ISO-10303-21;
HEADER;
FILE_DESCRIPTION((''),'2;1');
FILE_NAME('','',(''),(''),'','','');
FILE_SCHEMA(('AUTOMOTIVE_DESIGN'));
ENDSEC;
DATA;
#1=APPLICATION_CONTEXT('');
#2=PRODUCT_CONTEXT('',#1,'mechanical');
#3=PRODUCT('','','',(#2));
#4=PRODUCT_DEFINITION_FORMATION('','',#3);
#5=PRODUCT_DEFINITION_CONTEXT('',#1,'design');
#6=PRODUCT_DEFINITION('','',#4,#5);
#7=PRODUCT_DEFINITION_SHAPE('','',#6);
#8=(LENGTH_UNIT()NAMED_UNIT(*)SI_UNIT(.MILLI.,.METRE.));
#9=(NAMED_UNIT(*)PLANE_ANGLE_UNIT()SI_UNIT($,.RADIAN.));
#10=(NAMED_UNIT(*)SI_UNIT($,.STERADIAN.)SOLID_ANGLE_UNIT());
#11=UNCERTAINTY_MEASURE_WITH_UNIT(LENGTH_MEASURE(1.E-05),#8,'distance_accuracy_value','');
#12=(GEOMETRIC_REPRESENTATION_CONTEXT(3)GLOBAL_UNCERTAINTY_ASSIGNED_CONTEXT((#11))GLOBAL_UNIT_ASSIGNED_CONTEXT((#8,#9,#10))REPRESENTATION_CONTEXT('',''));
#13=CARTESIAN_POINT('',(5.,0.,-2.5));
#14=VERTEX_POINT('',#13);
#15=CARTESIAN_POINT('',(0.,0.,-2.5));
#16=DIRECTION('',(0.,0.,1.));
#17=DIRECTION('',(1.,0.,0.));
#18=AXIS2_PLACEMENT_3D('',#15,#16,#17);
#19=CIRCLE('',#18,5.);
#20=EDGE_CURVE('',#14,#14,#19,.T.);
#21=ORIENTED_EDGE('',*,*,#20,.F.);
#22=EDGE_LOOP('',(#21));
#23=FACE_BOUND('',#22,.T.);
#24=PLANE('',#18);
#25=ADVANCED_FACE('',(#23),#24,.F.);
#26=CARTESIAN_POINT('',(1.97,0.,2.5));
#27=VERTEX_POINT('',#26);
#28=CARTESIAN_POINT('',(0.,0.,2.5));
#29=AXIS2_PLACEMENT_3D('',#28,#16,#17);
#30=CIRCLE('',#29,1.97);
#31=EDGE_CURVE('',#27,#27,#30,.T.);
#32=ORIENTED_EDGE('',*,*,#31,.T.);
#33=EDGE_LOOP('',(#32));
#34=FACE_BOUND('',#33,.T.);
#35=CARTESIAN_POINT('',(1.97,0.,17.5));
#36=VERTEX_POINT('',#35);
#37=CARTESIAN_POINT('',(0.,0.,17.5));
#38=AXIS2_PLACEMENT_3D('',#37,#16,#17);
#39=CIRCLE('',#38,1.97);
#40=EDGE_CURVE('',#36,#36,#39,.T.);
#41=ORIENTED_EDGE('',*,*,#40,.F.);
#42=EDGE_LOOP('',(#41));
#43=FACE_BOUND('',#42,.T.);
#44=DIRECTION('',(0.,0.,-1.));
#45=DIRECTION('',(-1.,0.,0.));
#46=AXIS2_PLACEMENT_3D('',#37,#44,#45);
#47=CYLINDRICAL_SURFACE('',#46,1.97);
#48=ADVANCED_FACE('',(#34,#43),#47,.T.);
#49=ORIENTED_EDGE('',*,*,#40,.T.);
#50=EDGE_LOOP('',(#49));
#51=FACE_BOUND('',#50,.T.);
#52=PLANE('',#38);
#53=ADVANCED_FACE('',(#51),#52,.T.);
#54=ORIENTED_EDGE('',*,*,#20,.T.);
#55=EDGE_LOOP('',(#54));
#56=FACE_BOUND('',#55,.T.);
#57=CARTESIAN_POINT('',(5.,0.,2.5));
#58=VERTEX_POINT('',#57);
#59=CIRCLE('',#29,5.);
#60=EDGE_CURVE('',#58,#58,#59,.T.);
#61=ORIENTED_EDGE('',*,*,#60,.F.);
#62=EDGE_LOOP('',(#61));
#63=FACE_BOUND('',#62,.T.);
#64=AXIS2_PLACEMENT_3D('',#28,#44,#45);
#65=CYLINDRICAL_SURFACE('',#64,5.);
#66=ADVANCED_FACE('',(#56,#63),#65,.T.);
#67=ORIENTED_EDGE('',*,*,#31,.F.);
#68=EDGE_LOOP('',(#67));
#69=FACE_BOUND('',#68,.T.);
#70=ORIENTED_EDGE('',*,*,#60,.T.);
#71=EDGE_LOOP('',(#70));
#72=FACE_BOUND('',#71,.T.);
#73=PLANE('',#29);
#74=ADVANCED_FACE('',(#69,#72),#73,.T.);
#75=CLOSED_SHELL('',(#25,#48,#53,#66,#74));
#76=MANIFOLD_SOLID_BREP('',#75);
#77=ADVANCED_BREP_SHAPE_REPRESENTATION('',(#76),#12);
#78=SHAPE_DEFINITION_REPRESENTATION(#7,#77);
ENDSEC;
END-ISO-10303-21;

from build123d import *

# Parameters (mm, degrees)
SKETCH1_R           = 5
BOSS_EXTRUDE1_DEPTH = 2.5
SKETCH2_R           = 1.97
BOSS_EXTRUDE2_DEPTH = 15


with BuildPart() as part:
    # Sketch1 → Boss-Extrude1 (new, symmetric)
    with BuildSketch(Plane.XY):
        Circle(SKETCH1_R)
    extrude(amount=BOSS_EXTRUDE1_DEPTH, both=True)

    # Sketch2 → Boss-Extrude2 (add)
    with BuildSketch(Plane.XY.offset(2.5)):
        Circle(SKETCH2_R)
    extrude(amount=BOSS_EXTRUDE2_DEPTH)


solid = part.part
